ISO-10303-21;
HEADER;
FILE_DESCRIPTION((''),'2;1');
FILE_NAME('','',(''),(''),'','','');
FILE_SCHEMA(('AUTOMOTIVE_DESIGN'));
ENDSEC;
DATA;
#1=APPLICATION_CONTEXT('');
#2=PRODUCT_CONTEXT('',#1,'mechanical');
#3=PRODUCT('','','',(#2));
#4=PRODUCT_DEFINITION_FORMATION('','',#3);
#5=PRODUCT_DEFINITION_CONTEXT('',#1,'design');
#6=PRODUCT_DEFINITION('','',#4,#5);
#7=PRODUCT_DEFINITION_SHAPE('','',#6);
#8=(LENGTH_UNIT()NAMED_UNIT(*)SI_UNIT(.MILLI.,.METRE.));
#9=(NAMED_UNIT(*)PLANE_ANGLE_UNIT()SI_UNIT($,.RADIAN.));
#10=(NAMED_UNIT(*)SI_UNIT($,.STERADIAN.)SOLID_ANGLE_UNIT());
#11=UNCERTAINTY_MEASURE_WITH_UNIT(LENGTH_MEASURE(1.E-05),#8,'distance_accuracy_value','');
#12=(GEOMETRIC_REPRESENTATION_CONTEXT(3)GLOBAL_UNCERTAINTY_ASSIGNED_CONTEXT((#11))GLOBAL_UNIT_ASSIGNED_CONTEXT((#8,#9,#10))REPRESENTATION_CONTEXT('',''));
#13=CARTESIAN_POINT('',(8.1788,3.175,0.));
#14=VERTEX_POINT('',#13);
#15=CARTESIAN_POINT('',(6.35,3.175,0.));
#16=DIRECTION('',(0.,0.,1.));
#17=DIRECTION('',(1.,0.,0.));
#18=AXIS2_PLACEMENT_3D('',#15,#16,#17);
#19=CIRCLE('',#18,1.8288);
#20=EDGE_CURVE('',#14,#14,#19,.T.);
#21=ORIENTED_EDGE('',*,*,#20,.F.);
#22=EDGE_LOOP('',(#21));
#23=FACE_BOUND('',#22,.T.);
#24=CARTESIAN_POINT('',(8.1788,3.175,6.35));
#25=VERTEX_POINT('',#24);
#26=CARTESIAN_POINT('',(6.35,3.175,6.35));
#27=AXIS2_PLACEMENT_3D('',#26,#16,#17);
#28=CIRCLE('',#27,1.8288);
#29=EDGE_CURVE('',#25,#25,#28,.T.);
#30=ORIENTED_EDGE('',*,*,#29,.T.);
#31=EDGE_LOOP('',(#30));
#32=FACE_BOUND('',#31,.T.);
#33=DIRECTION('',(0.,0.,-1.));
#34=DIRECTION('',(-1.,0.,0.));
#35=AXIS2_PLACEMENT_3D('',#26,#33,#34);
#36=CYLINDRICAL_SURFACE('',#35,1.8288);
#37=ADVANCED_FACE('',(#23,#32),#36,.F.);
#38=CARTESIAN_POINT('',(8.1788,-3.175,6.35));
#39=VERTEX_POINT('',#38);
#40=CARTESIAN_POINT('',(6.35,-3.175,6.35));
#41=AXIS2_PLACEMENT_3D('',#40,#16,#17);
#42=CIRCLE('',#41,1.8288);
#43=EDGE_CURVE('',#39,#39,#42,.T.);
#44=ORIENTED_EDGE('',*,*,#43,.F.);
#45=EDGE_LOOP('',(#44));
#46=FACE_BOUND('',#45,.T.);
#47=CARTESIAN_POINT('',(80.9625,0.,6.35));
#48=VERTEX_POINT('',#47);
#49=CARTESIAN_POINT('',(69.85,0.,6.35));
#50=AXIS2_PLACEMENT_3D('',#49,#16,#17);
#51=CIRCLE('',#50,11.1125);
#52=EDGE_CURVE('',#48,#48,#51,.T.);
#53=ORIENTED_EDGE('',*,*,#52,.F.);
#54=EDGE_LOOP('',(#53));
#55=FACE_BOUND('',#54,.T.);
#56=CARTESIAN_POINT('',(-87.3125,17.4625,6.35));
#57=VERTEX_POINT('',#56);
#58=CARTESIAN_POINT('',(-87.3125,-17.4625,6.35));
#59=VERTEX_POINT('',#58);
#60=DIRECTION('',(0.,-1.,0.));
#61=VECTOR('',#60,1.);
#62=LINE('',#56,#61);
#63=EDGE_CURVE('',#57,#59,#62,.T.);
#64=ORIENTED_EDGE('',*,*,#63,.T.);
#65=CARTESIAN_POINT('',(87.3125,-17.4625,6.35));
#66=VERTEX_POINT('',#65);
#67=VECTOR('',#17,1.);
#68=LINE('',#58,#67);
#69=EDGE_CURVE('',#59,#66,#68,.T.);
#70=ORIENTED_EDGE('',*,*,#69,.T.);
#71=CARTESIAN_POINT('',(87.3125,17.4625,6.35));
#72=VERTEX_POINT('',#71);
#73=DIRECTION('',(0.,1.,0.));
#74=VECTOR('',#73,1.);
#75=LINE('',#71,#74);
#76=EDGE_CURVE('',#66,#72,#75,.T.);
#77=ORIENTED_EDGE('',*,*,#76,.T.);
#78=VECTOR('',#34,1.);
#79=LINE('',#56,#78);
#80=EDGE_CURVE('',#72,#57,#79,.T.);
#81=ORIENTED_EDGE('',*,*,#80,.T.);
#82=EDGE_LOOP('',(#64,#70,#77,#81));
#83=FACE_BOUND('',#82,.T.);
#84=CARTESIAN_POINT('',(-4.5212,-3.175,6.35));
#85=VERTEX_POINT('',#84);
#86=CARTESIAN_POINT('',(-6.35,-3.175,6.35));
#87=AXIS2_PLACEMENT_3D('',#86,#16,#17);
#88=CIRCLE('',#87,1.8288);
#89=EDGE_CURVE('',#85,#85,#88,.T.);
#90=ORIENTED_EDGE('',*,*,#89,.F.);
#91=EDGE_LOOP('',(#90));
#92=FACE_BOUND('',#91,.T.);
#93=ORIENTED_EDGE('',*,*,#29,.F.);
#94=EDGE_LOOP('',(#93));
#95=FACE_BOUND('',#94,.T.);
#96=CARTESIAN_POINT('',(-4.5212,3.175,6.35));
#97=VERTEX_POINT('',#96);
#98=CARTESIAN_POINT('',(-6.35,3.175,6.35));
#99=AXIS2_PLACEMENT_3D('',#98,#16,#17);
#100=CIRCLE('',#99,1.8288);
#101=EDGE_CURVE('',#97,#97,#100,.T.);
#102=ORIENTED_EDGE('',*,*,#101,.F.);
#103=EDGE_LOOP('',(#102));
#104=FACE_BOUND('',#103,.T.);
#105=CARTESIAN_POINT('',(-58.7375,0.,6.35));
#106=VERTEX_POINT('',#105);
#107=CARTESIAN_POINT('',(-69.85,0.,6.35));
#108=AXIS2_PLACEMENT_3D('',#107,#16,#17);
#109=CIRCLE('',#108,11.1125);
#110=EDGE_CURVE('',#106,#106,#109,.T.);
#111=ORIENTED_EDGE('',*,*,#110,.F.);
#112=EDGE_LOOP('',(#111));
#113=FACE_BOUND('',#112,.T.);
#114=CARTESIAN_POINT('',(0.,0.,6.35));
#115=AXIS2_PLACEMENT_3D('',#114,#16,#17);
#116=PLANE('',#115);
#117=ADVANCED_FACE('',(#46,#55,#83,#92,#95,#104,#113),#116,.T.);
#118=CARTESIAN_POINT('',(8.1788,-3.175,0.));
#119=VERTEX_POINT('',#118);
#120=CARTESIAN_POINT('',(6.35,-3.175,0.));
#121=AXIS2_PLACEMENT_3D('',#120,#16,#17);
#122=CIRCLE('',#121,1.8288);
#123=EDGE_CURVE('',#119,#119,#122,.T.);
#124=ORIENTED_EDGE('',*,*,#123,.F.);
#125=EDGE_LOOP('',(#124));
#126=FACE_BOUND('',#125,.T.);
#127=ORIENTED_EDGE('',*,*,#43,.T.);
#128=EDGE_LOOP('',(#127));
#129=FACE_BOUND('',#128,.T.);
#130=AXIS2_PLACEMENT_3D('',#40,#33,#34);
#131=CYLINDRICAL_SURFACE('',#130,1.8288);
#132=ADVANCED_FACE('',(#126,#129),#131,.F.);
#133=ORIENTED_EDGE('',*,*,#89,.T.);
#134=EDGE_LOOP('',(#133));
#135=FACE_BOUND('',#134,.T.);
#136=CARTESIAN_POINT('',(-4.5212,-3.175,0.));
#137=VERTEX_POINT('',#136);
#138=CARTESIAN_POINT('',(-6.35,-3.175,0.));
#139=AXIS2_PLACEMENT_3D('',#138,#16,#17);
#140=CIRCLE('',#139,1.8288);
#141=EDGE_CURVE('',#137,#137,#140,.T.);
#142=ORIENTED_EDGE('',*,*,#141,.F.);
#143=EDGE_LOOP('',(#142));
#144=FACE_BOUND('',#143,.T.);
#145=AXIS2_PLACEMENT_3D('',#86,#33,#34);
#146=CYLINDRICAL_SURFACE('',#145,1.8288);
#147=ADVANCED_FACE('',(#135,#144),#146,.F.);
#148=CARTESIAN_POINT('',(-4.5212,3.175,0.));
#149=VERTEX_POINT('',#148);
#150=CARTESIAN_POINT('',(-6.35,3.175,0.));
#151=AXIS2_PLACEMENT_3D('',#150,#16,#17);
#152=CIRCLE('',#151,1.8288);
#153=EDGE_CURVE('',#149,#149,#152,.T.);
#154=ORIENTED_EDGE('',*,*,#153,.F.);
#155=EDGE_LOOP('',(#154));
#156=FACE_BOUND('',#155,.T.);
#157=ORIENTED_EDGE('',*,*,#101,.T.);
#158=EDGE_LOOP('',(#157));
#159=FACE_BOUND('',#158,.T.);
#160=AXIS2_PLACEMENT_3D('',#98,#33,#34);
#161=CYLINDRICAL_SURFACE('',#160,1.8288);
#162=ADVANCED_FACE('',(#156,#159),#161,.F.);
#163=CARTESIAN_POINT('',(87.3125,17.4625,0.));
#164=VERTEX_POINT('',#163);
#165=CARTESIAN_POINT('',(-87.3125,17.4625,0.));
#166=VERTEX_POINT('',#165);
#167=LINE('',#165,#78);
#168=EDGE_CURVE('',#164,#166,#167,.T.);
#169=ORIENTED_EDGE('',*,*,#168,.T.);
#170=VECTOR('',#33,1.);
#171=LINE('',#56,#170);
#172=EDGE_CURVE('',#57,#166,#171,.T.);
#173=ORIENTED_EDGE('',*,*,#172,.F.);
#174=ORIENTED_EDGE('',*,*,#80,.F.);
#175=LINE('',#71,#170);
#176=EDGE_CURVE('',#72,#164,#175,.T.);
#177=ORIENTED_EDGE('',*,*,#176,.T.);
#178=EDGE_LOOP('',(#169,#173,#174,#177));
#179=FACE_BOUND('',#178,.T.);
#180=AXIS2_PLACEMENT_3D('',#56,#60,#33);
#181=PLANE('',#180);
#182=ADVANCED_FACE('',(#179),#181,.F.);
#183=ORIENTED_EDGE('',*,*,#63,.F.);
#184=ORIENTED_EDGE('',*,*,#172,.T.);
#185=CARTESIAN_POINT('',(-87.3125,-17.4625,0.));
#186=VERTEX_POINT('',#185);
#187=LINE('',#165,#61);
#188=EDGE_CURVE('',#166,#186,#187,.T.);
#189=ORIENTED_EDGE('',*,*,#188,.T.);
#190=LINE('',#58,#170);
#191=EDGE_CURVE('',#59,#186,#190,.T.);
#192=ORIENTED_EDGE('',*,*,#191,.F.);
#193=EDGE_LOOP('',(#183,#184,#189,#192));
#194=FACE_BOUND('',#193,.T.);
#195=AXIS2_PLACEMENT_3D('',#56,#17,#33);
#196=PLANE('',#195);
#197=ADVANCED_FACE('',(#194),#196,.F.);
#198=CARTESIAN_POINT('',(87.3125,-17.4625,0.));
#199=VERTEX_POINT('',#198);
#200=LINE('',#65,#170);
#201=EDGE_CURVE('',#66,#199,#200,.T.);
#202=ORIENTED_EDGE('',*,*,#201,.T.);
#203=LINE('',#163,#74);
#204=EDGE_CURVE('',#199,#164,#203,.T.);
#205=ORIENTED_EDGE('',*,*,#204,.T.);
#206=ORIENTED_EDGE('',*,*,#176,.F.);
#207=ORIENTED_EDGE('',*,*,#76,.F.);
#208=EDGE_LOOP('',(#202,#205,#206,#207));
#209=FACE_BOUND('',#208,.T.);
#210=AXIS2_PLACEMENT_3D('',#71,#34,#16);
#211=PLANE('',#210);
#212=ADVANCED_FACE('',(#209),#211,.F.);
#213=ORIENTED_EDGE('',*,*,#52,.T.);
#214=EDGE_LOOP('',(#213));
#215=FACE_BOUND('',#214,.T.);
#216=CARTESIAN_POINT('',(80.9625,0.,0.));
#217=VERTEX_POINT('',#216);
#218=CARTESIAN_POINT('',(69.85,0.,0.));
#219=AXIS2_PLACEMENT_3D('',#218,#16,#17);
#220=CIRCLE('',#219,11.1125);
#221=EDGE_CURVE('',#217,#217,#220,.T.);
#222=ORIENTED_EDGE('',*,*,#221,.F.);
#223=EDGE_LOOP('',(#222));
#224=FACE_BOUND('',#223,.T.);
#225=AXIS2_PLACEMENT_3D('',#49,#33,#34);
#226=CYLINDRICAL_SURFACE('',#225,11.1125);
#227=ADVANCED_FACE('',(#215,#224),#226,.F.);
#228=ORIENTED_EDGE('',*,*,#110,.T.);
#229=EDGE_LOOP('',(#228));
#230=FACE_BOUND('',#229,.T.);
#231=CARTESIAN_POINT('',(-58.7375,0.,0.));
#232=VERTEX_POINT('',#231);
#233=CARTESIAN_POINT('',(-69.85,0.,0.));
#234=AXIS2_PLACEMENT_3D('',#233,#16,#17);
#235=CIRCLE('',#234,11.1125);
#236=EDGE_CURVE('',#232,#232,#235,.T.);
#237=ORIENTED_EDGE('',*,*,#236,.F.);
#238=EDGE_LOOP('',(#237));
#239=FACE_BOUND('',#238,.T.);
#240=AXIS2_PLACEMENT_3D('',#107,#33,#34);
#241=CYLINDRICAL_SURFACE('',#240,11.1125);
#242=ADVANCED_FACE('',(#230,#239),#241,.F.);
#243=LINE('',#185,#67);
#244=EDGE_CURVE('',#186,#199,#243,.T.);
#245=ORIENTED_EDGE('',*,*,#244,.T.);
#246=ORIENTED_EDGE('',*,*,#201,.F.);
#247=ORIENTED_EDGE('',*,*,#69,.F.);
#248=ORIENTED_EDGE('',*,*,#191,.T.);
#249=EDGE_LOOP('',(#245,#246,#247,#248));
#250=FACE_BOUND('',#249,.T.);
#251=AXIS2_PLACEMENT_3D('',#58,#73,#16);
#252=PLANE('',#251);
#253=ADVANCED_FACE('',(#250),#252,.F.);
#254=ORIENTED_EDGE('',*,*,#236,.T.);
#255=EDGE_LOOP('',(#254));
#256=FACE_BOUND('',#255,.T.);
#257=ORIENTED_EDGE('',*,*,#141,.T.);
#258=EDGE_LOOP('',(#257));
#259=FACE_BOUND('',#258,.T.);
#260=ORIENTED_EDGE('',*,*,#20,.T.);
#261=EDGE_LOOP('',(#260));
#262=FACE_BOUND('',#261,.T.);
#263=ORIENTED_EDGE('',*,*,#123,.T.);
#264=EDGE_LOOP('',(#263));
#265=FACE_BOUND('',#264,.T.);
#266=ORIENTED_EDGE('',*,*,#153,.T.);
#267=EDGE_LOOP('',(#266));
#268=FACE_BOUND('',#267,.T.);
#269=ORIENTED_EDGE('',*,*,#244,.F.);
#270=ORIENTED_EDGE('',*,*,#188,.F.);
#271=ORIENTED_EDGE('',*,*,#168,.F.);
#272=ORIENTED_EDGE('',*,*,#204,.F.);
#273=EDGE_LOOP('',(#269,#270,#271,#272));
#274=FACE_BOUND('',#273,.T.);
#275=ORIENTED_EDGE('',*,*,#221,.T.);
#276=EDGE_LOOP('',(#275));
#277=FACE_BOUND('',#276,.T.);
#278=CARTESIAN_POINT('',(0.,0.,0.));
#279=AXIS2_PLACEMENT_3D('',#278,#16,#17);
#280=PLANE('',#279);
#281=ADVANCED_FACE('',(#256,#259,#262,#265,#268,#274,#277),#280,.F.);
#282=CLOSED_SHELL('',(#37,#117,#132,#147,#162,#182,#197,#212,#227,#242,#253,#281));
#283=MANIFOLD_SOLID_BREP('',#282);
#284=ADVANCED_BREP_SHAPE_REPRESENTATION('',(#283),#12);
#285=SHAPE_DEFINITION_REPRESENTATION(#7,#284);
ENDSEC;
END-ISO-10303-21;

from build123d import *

# Parameters (mm, degrees)
SKETCH1_W           = 174.625
SKETCH1_H           = 34.925
SKETCH1_R           = 11.1125
SKETCH1_R_2         = 1.8288
BOSS_EXTRUDE1_DEPTH = 6.35


with BuildPart() as part:
    # Sketch1 → Boss-Extrude1 (new body)
    with BuildSketch(Plane.XY):
        Rectangle(SKETCH1_W, SKETCH1_H)
        with Locations((-69.85, 0)):
            Circle(SKETCH1_R, mode=Mode.SUBTRACT)
        with Locations((69.85, 0)):
            Circle(SKETCH1_R, mode=Mode.SUBTRACT)
        with Locations((-6.35, 3.175)):
            Circle(SKETCH1_R_2, mode=Mode.SUBTRACT)
        with Locations((6.35, 3.175)):
            Circle(SKETCH1_R_2, mode=Mode.SUBTRACT)
        with Locations((-6.35, -3.175)):
            Circle(SKETCH1_R_2, mode=Mode.SUBTRACT)
        with Locations((6.35, -3.175)):
            Circle(SKETCH1_R_2, mode=Mode.SUBTRACT)
    extrude(amount=BOSS_EXTRUDE1_DEPTH)


solid = part.part
